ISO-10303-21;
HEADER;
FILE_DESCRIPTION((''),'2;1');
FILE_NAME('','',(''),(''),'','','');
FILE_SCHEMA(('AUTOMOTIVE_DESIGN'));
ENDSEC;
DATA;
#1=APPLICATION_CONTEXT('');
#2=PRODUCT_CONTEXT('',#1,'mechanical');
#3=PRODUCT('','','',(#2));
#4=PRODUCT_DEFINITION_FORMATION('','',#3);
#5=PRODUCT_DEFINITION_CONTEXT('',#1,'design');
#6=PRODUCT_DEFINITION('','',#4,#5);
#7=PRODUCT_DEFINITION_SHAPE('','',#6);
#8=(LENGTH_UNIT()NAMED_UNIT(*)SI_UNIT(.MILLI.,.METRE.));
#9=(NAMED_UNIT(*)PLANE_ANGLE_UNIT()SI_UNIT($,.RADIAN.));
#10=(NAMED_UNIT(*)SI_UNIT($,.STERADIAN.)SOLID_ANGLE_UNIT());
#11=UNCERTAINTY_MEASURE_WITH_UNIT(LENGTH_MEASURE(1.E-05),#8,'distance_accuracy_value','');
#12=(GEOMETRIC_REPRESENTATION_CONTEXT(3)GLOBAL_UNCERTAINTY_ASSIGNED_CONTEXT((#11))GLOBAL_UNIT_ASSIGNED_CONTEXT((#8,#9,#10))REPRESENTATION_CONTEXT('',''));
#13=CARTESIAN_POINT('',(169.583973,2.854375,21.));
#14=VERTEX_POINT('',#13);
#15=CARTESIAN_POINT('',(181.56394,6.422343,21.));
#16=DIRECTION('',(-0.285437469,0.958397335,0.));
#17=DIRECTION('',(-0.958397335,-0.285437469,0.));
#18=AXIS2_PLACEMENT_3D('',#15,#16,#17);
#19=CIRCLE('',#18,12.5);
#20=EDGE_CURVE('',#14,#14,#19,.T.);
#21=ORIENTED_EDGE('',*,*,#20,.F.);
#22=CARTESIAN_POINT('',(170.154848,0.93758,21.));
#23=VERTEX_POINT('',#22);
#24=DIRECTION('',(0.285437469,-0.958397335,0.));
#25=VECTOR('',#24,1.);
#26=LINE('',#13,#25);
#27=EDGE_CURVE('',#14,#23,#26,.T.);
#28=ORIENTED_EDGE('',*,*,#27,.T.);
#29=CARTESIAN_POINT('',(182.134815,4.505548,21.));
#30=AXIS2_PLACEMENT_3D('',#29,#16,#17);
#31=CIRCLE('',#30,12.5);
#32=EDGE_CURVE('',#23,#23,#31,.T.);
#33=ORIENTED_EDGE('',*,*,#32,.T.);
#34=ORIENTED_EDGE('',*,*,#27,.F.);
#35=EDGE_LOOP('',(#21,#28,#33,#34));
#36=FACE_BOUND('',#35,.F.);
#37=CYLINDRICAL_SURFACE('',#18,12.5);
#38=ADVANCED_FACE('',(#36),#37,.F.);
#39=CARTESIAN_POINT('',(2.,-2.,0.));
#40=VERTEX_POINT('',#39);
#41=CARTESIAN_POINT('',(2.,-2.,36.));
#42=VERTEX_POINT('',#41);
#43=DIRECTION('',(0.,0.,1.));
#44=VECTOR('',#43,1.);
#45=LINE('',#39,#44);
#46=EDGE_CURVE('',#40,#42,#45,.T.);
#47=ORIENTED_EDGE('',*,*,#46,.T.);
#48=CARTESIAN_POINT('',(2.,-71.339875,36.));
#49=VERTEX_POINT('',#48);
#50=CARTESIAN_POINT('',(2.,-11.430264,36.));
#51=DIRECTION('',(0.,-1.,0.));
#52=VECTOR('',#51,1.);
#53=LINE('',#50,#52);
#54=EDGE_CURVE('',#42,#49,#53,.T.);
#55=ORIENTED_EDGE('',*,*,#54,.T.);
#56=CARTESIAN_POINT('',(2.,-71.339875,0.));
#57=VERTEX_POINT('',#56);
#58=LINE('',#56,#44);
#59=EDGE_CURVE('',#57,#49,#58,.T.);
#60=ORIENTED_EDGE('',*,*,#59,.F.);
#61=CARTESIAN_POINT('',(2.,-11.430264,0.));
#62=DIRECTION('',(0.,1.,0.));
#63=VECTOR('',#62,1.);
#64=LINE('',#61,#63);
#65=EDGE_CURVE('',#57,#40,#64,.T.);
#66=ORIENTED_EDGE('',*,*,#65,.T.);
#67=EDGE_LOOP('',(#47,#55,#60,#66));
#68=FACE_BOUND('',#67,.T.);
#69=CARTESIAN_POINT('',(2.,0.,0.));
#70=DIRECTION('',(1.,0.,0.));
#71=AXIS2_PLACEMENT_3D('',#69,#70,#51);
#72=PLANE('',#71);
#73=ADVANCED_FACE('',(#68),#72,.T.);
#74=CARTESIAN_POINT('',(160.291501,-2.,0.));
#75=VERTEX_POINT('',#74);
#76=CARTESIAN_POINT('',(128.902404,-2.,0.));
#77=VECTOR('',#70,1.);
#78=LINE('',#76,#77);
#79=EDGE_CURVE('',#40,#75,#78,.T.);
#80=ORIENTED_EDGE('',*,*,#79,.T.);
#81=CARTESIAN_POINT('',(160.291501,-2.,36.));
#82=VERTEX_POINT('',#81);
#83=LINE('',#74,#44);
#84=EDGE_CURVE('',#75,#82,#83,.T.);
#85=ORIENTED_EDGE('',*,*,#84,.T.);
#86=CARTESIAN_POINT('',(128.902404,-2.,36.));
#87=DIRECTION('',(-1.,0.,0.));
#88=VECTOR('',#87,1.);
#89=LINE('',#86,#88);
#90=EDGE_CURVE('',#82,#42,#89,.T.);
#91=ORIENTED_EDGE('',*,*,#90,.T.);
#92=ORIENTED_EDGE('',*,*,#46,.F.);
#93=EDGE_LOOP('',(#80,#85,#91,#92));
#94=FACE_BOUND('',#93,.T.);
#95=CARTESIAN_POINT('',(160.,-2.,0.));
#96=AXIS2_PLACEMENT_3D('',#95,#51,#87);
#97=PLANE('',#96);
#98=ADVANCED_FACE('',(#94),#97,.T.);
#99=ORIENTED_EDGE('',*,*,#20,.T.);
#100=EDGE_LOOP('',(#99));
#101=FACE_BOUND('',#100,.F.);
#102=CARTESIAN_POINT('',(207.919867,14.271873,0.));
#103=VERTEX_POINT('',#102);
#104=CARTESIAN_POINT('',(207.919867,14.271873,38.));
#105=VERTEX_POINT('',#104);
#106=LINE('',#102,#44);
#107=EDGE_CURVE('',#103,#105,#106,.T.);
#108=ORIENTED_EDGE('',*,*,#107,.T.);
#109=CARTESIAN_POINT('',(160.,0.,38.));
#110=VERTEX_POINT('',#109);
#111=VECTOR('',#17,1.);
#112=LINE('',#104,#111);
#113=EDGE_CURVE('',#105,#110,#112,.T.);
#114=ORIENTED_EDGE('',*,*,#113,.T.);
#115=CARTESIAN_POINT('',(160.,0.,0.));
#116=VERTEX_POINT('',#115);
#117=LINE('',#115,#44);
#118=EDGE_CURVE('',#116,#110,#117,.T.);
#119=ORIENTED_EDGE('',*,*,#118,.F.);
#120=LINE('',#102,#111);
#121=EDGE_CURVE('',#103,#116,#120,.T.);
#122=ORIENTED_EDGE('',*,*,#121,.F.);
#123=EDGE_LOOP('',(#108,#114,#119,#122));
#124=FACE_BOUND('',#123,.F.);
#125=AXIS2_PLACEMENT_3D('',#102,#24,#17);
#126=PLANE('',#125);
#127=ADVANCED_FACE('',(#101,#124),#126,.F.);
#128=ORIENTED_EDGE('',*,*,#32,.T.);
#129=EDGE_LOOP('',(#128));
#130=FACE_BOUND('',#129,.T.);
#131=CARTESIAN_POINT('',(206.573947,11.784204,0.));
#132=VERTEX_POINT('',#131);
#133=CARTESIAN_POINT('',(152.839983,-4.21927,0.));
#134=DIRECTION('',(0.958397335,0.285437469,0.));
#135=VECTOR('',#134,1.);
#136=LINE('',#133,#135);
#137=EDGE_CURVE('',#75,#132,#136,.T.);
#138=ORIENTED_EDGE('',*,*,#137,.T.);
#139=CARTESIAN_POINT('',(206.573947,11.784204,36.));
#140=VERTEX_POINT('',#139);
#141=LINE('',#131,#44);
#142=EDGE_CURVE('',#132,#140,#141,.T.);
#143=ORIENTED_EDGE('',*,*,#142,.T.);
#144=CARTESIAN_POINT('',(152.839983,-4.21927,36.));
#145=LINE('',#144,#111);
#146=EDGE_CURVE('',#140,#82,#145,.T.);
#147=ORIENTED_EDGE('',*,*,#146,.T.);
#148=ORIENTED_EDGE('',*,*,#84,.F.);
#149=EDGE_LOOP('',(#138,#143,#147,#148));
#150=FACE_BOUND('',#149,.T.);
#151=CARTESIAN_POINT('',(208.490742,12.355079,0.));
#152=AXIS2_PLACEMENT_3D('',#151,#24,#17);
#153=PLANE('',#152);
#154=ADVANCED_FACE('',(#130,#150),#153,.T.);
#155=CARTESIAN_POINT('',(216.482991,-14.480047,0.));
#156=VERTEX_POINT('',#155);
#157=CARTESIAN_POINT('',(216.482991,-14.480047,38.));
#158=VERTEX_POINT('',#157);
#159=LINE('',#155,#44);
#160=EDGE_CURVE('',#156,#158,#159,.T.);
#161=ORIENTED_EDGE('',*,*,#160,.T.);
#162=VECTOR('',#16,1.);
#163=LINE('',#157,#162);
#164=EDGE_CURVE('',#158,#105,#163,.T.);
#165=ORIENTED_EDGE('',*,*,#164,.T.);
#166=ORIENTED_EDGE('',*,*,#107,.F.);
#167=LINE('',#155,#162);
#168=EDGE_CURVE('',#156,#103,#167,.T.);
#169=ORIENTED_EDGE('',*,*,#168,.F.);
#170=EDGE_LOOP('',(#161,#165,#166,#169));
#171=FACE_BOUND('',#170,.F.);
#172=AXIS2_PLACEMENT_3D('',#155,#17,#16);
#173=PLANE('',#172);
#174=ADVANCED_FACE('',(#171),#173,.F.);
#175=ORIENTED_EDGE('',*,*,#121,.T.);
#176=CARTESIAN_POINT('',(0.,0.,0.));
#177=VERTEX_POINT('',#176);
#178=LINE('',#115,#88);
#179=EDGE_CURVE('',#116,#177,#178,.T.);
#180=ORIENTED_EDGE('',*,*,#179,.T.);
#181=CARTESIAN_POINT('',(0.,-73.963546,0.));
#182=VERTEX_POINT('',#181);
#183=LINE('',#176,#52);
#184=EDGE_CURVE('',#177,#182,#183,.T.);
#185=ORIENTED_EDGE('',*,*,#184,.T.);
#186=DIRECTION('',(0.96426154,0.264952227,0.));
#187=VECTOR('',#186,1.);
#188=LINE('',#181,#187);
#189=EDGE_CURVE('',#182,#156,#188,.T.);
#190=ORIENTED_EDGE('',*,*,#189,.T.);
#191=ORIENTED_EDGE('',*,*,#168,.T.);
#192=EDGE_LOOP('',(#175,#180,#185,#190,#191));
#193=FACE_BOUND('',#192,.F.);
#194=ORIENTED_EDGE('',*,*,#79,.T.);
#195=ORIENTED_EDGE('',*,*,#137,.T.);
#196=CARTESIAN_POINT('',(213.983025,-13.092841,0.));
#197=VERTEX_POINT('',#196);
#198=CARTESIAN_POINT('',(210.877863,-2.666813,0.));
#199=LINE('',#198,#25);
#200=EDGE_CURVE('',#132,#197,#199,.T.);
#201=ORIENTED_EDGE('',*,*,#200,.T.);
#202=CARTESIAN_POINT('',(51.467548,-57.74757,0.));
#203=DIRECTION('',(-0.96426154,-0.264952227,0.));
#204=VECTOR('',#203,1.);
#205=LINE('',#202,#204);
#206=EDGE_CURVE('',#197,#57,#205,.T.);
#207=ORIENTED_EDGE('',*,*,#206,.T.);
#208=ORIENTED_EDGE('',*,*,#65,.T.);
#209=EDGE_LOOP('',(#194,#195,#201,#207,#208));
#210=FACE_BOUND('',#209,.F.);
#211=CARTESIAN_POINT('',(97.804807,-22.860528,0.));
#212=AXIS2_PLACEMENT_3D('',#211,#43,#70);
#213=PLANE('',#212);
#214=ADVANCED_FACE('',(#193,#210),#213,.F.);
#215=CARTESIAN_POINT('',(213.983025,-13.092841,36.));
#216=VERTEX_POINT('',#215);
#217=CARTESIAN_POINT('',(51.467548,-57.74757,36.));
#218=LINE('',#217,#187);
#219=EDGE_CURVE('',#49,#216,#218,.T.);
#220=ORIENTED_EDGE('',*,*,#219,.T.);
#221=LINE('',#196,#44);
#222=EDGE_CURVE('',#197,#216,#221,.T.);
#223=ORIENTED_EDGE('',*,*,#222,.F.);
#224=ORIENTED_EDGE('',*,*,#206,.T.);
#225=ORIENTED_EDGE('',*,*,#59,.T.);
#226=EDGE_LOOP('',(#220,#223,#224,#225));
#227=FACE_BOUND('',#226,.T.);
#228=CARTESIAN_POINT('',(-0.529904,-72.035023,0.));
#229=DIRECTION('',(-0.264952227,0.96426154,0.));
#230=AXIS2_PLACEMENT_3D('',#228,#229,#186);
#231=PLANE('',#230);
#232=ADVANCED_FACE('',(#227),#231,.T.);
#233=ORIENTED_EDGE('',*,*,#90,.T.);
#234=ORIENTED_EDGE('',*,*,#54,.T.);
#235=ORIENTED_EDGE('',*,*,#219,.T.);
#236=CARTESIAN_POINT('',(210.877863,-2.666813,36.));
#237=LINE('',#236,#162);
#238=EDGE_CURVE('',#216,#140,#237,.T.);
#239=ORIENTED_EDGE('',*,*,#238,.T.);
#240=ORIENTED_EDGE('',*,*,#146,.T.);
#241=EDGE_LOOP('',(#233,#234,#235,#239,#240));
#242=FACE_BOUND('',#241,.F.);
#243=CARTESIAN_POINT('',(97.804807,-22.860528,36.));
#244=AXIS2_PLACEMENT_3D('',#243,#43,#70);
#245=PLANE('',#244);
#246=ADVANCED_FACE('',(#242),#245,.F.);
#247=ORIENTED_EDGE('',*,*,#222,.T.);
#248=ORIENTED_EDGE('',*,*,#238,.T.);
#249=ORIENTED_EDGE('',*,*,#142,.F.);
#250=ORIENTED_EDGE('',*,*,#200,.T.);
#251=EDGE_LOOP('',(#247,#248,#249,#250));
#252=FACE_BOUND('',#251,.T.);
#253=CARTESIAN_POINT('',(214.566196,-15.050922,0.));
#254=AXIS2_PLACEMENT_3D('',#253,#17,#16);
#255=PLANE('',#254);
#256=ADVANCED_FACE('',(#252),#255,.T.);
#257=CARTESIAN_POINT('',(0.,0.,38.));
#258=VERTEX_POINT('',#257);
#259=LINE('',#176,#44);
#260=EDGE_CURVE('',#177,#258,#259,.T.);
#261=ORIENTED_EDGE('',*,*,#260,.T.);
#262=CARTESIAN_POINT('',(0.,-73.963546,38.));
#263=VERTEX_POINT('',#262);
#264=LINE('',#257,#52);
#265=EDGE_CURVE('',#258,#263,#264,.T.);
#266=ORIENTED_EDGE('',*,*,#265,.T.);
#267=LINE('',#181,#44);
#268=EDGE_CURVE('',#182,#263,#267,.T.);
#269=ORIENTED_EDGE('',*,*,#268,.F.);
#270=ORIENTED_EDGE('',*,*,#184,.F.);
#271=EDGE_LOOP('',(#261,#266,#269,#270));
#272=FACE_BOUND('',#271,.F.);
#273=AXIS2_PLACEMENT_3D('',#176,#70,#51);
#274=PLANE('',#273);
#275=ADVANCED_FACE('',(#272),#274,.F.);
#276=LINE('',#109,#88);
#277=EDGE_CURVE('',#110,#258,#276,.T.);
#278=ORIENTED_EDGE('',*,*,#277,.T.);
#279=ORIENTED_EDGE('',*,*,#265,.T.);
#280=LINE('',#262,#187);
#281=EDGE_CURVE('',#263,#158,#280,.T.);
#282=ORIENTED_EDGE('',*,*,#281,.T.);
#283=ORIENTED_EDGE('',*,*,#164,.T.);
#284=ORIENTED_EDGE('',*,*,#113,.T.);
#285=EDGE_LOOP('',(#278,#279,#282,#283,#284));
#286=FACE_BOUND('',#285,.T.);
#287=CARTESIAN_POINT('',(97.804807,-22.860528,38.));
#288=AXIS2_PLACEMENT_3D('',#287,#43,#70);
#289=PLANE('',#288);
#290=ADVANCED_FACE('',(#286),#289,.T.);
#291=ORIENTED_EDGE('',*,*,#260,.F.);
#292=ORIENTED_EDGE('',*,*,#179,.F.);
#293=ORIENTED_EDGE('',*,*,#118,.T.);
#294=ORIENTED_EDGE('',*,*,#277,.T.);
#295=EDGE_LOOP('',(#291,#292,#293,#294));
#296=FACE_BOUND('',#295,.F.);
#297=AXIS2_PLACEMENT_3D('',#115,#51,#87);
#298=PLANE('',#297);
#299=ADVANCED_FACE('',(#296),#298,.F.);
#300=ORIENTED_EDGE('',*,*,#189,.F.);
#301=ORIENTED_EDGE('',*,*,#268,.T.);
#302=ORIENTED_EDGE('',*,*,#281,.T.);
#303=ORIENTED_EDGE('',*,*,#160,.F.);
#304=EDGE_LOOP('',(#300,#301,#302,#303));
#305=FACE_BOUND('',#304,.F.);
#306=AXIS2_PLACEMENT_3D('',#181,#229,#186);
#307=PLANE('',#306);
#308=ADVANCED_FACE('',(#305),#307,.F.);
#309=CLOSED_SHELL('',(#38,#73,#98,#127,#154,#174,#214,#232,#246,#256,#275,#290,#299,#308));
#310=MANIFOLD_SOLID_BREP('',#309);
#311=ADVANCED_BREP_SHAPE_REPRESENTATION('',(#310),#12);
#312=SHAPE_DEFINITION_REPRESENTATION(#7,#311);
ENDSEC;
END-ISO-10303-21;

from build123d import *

# Parameters (mm, degrees)
F1_DEPTH = 38
F2_T     = -2
F3_R     = 12.5
F4_DEPTH = 25


with BuildPart() as f1:
    # F0 (on Top) → F1 (new body)
    with BuildSketch(Plane.XY):
        Polygon((160, 0), (0, 0), (0, -73.9635457095), (160, -30), (216.4829908138, -14.4800465722), (207.9198667331, 14.2718734677), align=None)
    extrude(amount=F1_DEPTH)

    # F2
    f2_openings = [f1.faces().sort_by_distance(p)[0] for p in [
        (87.670015, -24.375583, 0),
    ]]
    offset(amount=F2_T, openings=f2_openings, kind=Kind.INTERSECTION)

    # F3 (on face) → F4 (cut)
    with BuildSketch(Plane(origin=(13.0359278258, -43.7700015747, 0), x_dir=(-0.9583973347, -0.2854374694, 0), z_dir=(-0.2854374694, 0.9583973347, 0))):
        with Locations((-175.843573546, 21)):
            Circle(F3_R)
    extrude(amount=-F4_DEPTH, mode=Mode.SUBTRACT)


solid = f1.part
